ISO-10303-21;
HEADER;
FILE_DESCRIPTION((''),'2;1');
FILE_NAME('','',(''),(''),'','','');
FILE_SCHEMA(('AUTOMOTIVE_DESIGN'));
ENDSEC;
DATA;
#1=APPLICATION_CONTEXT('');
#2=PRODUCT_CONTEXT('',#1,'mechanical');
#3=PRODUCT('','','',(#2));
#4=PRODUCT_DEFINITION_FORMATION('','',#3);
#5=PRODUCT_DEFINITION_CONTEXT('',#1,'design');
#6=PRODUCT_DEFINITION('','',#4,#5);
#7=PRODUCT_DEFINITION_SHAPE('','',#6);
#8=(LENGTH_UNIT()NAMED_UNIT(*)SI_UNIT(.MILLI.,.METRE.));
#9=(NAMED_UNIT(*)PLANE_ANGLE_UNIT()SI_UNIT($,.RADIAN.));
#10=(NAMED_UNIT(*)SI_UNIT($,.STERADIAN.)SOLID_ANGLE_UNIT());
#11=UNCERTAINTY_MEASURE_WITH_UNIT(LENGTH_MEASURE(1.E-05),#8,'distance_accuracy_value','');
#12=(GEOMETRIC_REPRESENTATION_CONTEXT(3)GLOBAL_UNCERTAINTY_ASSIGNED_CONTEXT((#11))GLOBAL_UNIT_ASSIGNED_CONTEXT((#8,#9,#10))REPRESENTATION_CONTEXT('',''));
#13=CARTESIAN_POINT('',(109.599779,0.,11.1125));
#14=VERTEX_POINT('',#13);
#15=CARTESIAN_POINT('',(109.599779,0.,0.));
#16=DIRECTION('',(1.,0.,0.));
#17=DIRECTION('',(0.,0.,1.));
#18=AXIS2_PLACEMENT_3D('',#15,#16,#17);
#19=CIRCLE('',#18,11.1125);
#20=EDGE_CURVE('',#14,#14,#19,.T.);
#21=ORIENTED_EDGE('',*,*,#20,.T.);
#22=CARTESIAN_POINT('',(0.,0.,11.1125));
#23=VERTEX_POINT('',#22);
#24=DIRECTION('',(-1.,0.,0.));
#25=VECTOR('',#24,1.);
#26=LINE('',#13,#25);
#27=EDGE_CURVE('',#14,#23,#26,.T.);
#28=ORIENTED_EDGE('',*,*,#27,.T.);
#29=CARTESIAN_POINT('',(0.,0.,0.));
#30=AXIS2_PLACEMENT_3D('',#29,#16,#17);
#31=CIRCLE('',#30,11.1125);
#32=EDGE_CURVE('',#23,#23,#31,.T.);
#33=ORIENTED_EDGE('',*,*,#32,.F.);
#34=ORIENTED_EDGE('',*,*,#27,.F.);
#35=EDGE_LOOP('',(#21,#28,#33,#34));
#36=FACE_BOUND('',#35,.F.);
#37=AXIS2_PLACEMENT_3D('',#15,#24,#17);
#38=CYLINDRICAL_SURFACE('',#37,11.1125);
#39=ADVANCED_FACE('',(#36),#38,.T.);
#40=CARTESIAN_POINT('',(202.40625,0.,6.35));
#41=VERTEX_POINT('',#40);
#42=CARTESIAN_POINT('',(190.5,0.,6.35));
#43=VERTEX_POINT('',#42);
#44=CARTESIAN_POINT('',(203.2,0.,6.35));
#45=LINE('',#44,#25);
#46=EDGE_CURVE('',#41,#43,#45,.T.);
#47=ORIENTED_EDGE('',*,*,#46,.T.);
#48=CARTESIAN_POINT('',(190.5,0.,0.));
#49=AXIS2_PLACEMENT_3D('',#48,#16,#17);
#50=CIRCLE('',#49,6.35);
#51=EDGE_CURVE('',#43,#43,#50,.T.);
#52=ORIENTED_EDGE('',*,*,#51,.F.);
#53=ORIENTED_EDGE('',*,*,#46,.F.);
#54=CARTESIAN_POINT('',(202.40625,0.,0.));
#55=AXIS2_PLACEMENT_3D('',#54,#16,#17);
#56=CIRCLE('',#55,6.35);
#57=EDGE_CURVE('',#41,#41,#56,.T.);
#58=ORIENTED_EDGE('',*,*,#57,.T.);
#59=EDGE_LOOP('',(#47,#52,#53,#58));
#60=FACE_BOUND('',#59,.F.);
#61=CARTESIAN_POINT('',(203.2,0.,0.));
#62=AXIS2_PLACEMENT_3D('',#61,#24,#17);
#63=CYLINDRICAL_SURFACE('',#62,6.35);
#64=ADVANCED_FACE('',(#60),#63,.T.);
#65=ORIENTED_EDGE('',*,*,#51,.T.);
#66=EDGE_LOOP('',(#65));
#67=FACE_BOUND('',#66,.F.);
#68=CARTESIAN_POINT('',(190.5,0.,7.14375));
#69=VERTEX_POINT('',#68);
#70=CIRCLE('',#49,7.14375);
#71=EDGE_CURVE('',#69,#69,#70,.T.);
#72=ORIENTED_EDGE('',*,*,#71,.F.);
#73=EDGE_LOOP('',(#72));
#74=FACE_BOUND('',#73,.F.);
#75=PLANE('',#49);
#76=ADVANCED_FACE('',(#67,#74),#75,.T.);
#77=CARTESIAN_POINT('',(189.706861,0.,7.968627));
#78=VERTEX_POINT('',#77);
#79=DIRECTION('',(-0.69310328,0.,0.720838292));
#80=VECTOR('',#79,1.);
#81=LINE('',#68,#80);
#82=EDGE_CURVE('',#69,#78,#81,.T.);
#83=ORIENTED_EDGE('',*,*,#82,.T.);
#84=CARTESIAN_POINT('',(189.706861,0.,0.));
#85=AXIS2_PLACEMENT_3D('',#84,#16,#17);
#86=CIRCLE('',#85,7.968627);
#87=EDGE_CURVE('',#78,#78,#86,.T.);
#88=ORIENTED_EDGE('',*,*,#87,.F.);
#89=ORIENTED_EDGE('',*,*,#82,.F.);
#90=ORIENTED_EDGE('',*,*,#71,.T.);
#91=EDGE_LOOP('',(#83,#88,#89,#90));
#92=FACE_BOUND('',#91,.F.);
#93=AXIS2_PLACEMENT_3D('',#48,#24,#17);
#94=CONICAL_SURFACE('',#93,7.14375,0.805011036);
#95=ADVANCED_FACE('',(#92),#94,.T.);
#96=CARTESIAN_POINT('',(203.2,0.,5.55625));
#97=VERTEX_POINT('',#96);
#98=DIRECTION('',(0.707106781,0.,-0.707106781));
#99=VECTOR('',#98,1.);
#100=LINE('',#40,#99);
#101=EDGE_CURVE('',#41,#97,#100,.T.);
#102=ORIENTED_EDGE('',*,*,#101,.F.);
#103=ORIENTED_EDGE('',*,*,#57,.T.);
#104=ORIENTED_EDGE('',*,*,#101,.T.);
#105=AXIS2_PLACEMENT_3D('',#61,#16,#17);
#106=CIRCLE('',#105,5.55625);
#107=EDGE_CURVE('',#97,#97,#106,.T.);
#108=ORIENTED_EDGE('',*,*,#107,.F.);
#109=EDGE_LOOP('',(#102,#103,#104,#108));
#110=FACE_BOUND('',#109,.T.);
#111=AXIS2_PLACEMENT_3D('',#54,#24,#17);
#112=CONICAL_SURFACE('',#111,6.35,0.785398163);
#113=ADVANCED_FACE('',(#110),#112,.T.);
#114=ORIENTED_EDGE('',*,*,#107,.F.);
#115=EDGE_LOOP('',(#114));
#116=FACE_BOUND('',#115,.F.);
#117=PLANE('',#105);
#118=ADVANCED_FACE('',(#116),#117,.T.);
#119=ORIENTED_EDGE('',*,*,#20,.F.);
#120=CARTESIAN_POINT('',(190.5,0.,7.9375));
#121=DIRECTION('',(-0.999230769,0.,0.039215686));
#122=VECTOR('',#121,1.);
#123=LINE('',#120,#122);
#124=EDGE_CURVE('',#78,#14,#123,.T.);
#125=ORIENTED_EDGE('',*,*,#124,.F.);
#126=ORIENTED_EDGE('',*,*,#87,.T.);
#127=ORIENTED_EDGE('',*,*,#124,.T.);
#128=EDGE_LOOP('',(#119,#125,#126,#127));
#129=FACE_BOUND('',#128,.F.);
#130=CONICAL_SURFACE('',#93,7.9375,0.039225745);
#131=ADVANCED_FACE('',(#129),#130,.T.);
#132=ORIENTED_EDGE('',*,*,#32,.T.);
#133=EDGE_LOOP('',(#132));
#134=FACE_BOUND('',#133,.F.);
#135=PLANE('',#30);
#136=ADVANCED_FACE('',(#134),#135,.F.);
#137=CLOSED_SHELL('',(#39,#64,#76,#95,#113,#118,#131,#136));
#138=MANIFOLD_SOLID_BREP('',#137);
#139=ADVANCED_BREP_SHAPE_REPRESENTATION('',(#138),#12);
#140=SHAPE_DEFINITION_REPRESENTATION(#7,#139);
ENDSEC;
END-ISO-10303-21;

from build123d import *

# Parameters (mm, degrees)
F2_SIZE = 0.79375
F3_SIZE = 0.79375


with BuildPart() as f1:
    # F0 (on Front) → F1 (revolve)
    with BuildSketch(Plane.XZ):
        Polygon((0, 11.1125), (0, 0), (203.2, 0), (203.2, 6.35), (190.5, 6.35), (190.5, 7.9375), (109.599779, 11.1125), align=None)
    revolve(axis=Axis((101.6, 0, 0), (1, 0, 0)))

    # F2
    f2_edges = [f1.edges().sort_by_distance(p)[0] for p in [
        (190.5, 0, -7.9375),
    ]]
    chamfer(f2_edges, length=F2_SIZE)

    # F3
    f3_edges = [f1.edges().sort_by_distance(p)[0] for p in [
        (203.2, 0, -6.35),
    ]]
    chamfer(f3_edges, length=F3_SIZE)


solid = f1.part
